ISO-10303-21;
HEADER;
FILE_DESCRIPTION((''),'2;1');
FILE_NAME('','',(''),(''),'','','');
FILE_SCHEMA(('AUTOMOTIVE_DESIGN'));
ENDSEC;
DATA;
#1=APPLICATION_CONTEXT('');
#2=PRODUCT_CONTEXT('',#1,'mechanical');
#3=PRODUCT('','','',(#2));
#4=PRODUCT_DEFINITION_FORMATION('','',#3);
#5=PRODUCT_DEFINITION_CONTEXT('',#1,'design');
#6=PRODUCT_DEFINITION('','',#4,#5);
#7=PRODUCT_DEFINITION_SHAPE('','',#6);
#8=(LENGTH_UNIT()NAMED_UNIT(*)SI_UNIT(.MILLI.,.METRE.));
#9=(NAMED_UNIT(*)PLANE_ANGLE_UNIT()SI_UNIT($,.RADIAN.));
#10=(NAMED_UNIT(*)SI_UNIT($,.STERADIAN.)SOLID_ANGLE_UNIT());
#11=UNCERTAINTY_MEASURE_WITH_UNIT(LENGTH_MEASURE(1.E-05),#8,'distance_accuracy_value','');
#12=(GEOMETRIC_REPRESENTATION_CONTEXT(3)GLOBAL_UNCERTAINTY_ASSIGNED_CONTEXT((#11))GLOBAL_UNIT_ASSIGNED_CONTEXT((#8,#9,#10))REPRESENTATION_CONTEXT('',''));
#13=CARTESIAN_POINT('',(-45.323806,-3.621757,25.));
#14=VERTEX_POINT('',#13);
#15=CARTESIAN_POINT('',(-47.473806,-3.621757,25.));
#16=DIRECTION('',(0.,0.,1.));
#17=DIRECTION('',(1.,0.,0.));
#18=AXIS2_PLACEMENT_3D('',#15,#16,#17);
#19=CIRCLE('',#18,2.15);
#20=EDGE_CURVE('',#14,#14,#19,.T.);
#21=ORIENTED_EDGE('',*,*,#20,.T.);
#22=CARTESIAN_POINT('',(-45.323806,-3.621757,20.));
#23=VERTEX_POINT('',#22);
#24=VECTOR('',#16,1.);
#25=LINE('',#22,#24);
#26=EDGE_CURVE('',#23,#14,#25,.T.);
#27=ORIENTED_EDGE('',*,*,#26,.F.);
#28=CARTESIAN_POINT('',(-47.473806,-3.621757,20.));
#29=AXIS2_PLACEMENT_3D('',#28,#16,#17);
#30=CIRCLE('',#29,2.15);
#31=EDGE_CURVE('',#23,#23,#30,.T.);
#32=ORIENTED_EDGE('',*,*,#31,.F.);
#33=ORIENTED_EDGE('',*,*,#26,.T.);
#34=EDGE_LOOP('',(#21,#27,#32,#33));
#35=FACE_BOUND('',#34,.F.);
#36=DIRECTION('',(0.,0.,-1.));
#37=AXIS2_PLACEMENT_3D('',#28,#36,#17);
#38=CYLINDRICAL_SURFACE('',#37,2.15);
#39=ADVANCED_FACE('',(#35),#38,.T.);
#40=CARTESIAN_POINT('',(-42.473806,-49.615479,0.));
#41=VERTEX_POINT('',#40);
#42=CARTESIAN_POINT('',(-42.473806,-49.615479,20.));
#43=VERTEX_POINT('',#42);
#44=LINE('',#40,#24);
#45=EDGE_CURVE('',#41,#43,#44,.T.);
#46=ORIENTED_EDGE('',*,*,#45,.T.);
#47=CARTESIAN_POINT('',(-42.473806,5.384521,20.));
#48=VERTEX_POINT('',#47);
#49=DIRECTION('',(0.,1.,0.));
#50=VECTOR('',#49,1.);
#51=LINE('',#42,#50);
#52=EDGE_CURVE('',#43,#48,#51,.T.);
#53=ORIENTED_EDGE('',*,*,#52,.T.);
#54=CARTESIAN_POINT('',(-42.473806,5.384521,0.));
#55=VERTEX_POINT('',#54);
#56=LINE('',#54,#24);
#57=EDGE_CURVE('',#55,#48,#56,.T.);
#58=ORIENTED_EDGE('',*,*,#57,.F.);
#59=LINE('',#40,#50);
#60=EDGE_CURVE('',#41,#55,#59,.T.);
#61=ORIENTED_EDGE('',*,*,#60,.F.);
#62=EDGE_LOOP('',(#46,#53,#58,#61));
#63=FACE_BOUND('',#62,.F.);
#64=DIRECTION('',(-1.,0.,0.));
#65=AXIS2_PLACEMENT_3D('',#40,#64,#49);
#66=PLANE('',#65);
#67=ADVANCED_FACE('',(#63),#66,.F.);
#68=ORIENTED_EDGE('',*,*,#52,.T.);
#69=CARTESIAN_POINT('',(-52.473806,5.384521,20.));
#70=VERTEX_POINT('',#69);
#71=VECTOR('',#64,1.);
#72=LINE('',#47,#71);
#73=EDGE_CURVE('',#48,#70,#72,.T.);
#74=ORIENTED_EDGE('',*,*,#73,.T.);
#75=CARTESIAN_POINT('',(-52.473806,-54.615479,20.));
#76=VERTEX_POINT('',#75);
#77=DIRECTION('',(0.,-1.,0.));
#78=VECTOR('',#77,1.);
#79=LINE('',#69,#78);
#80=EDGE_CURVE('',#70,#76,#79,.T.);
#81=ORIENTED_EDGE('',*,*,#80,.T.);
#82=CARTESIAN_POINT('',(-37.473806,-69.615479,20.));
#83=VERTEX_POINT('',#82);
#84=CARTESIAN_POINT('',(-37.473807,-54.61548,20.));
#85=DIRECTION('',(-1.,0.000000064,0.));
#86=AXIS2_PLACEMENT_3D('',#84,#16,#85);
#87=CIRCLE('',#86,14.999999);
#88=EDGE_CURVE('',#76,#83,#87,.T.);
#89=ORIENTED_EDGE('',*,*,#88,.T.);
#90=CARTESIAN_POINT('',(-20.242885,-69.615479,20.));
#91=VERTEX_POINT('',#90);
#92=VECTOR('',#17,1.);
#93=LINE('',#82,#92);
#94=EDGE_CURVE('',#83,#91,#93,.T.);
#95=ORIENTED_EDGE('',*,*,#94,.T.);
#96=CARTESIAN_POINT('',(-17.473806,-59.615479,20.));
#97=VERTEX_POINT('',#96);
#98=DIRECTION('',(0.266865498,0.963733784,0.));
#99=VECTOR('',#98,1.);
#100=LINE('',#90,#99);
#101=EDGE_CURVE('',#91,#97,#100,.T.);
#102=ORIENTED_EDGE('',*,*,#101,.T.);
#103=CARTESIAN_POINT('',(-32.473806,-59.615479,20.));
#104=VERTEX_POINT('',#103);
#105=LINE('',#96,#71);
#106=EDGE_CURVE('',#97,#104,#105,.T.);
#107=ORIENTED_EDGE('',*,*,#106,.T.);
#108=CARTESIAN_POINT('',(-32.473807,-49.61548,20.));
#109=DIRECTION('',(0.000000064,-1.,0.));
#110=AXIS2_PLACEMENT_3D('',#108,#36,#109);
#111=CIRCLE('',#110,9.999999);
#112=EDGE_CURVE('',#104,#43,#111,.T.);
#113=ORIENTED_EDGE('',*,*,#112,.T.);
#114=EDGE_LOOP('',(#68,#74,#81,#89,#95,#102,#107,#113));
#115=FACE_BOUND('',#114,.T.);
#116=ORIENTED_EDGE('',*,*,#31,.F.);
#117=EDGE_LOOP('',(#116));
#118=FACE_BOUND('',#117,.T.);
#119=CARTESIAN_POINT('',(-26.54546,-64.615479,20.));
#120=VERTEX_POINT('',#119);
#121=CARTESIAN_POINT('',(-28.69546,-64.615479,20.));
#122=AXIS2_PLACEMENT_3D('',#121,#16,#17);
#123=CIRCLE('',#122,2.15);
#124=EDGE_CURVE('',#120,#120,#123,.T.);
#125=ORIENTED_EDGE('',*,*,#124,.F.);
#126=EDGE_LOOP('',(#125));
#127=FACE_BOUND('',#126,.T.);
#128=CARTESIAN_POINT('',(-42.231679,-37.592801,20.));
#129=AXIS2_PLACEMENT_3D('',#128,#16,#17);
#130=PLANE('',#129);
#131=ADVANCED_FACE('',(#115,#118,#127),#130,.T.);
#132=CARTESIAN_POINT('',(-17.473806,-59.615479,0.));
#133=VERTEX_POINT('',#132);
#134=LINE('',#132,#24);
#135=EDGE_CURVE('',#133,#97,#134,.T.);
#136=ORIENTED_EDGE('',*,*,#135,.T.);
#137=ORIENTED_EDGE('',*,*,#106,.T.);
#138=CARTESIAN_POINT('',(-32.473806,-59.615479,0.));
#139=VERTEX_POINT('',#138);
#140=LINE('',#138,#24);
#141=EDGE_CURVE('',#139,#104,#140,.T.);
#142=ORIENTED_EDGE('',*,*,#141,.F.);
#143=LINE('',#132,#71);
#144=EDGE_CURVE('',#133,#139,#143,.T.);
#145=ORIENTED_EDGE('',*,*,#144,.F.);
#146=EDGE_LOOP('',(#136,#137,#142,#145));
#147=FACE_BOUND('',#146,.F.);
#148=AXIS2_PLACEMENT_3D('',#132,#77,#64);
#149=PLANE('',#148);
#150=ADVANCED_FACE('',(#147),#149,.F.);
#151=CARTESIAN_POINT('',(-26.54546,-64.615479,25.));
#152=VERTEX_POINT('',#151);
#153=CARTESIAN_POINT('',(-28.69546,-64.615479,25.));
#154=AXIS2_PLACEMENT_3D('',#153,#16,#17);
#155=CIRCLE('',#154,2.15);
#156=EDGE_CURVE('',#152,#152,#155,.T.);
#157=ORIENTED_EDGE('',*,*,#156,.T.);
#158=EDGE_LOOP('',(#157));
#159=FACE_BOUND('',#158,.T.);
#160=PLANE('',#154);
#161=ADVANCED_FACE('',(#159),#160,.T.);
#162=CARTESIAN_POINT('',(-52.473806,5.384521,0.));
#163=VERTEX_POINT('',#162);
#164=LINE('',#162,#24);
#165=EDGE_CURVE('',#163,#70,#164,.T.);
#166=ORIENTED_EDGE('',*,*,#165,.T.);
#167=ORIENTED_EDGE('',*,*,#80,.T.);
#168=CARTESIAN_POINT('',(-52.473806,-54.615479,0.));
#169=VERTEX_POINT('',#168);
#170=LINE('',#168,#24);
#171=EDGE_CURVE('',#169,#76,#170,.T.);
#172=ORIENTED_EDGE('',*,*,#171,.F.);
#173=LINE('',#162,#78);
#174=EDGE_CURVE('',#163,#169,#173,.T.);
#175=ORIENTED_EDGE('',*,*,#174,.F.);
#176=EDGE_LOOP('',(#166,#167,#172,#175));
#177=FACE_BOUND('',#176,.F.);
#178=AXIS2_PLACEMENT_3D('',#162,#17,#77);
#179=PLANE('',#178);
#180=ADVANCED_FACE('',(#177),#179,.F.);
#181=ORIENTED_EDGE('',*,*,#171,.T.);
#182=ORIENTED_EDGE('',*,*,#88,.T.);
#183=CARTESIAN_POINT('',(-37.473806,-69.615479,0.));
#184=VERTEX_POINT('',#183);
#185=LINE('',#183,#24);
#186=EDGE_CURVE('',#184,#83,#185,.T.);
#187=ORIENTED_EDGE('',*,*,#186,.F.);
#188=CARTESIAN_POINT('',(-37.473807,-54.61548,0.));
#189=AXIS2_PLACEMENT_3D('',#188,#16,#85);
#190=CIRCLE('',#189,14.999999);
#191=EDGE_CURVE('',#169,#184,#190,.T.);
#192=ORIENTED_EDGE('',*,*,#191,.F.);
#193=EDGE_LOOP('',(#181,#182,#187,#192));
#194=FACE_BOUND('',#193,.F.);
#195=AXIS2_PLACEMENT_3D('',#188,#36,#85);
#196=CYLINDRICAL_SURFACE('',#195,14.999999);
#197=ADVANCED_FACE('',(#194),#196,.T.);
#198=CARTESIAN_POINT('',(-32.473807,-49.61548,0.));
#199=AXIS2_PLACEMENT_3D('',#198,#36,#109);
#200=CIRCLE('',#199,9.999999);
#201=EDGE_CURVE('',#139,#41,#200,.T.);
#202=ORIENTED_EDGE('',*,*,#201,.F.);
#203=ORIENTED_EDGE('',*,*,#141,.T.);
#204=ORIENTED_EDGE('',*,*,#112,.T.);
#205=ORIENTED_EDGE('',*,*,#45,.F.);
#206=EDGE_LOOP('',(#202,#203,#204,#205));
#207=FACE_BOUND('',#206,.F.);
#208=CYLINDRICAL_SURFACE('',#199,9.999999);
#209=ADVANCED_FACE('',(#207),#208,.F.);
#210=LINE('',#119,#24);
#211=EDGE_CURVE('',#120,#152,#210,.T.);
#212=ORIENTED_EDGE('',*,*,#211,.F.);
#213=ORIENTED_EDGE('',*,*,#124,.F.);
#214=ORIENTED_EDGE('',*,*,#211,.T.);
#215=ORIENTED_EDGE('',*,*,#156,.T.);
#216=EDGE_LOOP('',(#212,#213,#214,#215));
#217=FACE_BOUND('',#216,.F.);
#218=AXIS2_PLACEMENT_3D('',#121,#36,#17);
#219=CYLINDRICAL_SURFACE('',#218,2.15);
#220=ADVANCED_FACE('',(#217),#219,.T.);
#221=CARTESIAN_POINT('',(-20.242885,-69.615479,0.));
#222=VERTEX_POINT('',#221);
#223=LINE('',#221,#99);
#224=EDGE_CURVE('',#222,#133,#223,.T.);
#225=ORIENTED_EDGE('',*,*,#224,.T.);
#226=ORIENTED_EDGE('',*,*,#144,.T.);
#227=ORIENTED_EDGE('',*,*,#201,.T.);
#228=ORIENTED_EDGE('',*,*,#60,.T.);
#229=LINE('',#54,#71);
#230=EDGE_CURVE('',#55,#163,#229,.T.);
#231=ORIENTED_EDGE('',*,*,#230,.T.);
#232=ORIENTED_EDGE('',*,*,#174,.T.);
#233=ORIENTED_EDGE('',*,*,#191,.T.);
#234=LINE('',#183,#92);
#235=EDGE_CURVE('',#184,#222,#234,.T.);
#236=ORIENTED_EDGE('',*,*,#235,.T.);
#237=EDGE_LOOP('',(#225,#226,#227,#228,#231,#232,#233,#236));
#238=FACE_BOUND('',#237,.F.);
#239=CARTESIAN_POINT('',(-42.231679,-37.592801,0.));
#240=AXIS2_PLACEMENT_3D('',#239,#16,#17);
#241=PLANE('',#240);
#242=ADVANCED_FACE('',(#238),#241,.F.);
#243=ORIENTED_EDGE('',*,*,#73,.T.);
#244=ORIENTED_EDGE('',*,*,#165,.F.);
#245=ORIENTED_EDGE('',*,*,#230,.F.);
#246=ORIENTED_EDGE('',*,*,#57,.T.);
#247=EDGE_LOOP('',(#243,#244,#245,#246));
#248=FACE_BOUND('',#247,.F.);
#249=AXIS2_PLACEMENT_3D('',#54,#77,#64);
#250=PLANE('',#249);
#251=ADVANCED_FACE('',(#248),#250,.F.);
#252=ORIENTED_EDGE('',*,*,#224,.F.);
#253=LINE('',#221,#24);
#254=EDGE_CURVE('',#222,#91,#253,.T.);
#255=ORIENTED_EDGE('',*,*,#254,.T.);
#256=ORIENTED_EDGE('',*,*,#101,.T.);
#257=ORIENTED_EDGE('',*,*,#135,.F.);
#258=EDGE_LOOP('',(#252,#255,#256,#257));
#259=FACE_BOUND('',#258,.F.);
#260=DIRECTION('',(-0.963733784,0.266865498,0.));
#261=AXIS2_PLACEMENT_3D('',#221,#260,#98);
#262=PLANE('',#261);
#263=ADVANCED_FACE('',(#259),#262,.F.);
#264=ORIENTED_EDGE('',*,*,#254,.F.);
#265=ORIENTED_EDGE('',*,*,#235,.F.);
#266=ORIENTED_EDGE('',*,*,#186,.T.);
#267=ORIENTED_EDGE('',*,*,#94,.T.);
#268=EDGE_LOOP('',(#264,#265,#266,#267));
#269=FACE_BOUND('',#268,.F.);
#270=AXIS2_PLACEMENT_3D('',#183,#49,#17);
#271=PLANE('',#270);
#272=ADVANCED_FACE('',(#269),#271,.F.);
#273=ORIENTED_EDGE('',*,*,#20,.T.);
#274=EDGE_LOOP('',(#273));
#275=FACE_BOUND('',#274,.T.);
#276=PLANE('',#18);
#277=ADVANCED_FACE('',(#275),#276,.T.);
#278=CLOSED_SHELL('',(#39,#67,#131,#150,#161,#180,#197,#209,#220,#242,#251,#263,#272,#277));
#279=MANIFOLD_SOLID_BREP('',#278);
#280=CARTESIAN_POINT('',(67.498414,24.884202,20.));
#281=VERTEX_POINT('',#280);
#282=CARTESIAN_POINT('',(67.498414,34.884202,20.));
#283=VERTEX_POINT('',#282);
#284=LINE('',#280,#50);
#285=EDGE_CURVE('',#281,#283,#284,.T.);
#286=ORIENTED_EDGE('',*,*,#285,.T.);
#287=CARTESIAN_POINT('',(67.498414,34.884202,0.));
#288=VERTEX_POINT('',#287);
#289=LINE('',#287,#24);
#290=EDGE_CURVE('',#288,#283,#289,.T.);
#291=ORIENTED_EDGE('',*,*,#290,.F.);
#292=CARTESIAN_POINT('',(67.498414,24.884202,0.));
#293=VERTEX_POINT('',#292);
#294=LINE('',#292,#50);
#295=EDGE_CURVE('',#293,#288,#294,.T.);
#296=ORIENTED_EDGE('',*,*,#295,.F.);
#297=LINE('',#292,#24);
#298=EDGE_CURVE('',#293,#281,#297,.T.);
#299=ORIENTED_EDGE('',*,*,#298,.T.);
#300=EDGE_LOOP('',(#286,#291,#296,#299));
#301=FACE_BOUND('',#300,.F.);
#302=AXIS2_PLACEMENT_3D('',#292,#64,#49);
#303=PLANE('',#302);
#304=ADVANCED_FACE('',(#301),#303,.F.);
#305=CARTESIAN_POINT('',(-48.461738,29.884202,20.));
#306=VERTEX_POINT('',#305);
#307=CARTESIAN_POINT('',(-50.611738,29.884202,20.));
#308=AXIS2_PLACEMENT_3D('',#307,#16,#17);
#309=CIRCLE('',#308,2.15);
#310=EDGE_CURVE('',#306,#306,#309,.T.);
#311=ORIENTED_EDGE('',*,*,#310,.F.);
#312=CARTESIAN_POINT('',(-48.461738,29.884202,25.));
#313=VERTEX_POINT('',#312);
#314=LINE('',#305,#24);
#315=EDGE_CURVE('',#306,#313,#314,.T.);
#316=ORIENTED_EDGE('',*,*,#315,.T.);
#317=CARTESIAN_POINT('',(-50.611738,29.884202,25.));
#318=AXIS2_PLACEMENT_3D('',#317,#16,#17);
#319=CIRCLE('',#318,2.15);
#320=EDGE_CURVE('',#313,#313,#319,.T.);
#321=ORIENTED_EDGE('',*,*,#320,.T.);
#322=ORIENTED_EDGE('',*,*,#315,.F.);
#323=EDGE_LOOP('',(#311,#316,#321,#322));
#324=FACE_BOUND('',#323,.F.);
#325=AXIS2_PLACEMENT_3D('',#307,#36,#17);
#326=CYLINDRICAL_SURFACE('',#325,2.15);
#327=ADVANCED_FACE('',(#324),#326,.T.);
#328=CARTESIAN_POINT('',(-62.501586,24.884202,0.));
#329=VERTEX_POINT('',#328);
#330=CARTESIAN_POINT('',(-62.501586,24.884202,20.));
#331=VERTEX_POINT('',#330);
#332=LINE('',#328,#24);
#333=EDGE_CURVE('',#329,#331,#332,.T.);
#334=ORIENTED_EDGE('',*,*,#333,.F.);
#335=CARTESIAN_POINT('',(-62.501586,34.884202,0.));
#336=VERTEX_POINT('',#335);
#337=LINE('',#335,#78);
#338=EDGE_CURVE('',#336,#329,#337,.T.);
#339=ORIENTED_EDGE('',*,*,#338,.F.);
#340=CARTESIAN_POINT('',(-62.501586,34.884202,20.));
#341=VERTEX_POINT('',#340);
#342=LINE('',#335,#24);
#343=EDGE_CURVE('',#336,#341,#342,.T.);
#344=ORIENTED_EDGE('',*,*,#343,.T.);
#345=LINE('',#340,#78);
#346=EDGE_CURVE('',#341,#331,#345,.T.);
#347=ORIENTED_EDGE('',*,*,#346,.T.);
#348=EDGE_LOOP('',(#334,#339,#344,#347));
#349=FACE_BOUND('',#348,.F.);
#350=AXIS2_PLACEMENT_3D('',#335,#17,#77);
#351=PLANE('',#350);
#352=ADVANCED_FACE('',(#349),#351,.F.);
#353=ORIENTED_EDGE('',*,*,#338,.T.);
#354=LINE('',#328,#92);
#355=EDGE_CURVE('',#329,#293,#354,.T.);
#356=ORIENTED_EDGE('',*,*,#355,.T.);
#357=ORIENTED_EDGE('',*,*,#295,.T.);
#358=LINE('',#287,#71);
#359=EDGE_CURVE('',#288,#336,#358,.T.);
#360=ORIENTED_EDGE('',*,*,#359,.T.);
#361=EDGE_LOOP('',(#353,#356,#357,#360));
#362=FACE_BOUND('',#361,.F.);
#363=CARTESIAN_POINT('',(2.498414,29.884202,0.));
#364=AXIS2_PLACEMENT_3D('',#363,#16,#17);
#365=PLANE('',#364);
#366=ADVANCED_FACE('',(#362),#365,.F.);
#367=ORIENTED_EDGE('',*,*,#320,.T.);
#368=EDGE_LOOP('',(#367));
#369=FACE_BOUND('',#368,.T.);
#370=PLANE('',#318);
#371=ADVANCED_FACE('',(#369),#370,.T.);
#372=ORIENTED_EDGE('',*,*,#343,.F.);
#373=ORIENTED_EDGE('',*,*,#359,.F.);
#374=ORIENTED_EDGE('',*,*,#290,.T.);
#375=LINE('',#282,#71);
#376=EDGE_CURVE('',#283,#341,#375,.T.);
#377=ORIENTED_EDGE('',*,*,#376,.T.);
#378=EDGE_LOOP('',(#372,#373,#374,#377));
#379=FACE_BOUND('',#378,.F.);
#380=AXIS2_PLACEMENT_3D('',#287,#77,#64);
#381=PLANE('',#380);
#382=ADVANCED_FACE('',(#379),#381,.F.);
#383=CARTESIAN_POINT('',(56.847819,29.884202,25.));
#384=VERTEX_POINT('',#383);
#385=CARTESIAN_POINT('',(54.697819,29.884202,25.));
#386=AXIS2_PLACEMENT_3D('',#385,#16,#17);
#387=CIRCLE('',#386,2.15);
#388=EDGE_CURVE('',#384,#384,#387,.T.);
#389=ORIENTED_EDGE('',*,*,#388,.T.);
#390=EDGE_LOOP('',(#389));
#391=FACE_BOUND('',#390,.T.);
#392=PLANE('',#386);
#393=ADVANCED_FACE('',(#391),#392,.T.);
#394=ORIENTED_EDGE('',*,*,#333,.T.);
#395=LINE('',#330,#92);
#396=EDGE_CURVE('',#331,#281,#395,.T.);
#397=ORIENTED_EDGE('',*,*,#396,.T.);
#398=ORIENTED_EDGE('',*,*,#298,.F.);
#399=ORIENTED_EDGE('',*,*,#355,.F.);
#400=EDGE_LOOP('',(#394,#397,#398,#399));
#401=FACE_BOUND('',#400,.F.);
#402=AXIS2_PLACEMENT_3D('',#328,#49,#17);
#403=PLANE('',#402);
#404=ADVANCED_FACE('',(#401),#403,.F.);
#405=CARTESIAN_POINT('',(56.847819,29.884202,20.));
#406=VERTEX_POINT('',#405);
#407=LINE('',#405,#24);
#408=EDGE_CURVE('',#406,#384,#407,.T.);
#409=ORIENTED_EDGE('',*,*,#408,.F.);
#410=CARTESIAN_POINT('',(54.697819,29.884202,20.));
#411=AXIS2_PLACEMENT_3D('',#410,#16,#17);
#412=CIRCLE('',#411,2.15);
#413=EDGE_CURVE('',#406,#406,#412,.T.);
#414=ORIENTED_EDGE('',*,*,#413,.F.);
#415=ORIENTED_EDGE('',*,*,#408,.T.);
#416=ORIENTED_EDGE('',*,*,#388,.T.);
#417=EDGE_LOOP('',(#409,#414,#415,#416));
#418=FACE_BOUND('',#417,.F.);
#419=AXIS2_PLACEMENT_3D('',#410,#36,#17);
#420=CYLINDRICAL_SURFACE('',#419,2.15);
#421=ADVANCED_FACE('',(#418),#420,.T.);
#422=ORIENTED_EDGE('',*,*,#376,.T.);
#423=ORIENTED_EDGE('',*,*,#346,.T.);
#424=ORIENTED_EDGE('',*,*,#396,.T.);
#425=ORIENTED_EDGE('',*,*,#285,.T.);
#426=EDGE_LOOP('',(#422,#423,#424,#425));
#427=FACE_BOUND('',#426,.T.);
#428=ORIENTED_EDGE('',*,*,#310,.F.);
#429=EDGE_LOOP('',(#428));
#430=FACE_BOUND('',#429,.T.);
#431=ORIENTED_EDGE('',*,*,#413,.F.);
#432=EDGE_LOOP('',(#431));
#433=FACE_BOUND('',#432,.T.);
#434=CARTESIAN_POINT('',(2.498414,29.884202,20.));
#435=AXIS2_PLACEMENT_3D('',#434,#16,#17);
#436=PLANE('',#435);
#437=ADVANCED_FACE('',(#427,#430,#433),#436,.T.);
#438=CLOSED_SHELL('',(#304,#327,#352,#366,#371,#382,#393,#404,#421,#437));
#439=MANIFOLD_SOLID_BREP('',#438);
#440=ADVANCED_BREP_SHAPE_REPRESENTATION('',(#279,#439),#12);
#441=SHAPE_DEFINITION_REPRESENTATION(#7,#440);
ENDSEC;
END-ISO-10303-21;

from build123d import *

# Parameters (mm, degrees)
F1_DEPTH = 20
F2_DEPTH = 20
F3_R     = 2.15
F4_DEPTH = 5
F5_R     = 2.15
F6_DEPTH = 5


with BuildPart() as f1:
    # F0 (on Top) → F1 (new body)
    with BuildSketch(Plane.XY):
        Polygon((-47.501586, 34.884202), (-62.501586, 34.884202), (-62.501586, 24.884202), (67.498414, 24.884202), (67.498414, 29.884202), (67.498414, 34.884202), (52.498414, 34.884202), align=None)
    extrude(amount=F1_DEPTH)

    # F3 (on face) → F4 (join)
    with BuildSketch(Plane.XY.offset(20)):
        with Locations((-50.611738, 29.884202)):
            Circle(F3_R)
        with Locations((54.697819, 29.884202)):
            Circle(F3_R)
    extrude(amount=F4_DEPTH)


with BuildPart() as f2:
    # F0 (on Top) → F2 (new body)
    with BuildSketch(Plane.XY):
        with BuildLine():
            Line((-42.473806, -49.615479), (-42.473806, 5.384521))
            Line((-42.473806, 5.384521), (-52.473806, 5.384521))
            Line((-52.473806, 5.384521), (-52.473806, -54.615479))
            ThreePointArc((-52.473806, -54.615479), (-48.080408, -65.222081), (-37.473806, -69.615479))
            Line((-37.473806, -69.615479), (-20.242885, -69.615479))
            Line((-20.242885, -69.615479), (-17.473806, -59.615479))
            Line((-17.473806, -59.615479), (-32.473806, -59.615479))
            ThreePointArc((-32.473806, -59.615479), (-39.544874, -56.686547), (-42.473806, -49.615479))
        make_face()
    extrude(amount=F2_DEPTH)

    # F5 (on face) → F6 (join)
    with BuildSketch(Plane.XY.offset(20)):
        with Locations((-47.473806, -3.621757)):
            Circle(F5_R)
        with Locations((-28.69546, -64.615479)):
            Circle(F5_R)
    extrude(amount=F6_DEPTH)


solid = Compound([f1.part, f2.part])
